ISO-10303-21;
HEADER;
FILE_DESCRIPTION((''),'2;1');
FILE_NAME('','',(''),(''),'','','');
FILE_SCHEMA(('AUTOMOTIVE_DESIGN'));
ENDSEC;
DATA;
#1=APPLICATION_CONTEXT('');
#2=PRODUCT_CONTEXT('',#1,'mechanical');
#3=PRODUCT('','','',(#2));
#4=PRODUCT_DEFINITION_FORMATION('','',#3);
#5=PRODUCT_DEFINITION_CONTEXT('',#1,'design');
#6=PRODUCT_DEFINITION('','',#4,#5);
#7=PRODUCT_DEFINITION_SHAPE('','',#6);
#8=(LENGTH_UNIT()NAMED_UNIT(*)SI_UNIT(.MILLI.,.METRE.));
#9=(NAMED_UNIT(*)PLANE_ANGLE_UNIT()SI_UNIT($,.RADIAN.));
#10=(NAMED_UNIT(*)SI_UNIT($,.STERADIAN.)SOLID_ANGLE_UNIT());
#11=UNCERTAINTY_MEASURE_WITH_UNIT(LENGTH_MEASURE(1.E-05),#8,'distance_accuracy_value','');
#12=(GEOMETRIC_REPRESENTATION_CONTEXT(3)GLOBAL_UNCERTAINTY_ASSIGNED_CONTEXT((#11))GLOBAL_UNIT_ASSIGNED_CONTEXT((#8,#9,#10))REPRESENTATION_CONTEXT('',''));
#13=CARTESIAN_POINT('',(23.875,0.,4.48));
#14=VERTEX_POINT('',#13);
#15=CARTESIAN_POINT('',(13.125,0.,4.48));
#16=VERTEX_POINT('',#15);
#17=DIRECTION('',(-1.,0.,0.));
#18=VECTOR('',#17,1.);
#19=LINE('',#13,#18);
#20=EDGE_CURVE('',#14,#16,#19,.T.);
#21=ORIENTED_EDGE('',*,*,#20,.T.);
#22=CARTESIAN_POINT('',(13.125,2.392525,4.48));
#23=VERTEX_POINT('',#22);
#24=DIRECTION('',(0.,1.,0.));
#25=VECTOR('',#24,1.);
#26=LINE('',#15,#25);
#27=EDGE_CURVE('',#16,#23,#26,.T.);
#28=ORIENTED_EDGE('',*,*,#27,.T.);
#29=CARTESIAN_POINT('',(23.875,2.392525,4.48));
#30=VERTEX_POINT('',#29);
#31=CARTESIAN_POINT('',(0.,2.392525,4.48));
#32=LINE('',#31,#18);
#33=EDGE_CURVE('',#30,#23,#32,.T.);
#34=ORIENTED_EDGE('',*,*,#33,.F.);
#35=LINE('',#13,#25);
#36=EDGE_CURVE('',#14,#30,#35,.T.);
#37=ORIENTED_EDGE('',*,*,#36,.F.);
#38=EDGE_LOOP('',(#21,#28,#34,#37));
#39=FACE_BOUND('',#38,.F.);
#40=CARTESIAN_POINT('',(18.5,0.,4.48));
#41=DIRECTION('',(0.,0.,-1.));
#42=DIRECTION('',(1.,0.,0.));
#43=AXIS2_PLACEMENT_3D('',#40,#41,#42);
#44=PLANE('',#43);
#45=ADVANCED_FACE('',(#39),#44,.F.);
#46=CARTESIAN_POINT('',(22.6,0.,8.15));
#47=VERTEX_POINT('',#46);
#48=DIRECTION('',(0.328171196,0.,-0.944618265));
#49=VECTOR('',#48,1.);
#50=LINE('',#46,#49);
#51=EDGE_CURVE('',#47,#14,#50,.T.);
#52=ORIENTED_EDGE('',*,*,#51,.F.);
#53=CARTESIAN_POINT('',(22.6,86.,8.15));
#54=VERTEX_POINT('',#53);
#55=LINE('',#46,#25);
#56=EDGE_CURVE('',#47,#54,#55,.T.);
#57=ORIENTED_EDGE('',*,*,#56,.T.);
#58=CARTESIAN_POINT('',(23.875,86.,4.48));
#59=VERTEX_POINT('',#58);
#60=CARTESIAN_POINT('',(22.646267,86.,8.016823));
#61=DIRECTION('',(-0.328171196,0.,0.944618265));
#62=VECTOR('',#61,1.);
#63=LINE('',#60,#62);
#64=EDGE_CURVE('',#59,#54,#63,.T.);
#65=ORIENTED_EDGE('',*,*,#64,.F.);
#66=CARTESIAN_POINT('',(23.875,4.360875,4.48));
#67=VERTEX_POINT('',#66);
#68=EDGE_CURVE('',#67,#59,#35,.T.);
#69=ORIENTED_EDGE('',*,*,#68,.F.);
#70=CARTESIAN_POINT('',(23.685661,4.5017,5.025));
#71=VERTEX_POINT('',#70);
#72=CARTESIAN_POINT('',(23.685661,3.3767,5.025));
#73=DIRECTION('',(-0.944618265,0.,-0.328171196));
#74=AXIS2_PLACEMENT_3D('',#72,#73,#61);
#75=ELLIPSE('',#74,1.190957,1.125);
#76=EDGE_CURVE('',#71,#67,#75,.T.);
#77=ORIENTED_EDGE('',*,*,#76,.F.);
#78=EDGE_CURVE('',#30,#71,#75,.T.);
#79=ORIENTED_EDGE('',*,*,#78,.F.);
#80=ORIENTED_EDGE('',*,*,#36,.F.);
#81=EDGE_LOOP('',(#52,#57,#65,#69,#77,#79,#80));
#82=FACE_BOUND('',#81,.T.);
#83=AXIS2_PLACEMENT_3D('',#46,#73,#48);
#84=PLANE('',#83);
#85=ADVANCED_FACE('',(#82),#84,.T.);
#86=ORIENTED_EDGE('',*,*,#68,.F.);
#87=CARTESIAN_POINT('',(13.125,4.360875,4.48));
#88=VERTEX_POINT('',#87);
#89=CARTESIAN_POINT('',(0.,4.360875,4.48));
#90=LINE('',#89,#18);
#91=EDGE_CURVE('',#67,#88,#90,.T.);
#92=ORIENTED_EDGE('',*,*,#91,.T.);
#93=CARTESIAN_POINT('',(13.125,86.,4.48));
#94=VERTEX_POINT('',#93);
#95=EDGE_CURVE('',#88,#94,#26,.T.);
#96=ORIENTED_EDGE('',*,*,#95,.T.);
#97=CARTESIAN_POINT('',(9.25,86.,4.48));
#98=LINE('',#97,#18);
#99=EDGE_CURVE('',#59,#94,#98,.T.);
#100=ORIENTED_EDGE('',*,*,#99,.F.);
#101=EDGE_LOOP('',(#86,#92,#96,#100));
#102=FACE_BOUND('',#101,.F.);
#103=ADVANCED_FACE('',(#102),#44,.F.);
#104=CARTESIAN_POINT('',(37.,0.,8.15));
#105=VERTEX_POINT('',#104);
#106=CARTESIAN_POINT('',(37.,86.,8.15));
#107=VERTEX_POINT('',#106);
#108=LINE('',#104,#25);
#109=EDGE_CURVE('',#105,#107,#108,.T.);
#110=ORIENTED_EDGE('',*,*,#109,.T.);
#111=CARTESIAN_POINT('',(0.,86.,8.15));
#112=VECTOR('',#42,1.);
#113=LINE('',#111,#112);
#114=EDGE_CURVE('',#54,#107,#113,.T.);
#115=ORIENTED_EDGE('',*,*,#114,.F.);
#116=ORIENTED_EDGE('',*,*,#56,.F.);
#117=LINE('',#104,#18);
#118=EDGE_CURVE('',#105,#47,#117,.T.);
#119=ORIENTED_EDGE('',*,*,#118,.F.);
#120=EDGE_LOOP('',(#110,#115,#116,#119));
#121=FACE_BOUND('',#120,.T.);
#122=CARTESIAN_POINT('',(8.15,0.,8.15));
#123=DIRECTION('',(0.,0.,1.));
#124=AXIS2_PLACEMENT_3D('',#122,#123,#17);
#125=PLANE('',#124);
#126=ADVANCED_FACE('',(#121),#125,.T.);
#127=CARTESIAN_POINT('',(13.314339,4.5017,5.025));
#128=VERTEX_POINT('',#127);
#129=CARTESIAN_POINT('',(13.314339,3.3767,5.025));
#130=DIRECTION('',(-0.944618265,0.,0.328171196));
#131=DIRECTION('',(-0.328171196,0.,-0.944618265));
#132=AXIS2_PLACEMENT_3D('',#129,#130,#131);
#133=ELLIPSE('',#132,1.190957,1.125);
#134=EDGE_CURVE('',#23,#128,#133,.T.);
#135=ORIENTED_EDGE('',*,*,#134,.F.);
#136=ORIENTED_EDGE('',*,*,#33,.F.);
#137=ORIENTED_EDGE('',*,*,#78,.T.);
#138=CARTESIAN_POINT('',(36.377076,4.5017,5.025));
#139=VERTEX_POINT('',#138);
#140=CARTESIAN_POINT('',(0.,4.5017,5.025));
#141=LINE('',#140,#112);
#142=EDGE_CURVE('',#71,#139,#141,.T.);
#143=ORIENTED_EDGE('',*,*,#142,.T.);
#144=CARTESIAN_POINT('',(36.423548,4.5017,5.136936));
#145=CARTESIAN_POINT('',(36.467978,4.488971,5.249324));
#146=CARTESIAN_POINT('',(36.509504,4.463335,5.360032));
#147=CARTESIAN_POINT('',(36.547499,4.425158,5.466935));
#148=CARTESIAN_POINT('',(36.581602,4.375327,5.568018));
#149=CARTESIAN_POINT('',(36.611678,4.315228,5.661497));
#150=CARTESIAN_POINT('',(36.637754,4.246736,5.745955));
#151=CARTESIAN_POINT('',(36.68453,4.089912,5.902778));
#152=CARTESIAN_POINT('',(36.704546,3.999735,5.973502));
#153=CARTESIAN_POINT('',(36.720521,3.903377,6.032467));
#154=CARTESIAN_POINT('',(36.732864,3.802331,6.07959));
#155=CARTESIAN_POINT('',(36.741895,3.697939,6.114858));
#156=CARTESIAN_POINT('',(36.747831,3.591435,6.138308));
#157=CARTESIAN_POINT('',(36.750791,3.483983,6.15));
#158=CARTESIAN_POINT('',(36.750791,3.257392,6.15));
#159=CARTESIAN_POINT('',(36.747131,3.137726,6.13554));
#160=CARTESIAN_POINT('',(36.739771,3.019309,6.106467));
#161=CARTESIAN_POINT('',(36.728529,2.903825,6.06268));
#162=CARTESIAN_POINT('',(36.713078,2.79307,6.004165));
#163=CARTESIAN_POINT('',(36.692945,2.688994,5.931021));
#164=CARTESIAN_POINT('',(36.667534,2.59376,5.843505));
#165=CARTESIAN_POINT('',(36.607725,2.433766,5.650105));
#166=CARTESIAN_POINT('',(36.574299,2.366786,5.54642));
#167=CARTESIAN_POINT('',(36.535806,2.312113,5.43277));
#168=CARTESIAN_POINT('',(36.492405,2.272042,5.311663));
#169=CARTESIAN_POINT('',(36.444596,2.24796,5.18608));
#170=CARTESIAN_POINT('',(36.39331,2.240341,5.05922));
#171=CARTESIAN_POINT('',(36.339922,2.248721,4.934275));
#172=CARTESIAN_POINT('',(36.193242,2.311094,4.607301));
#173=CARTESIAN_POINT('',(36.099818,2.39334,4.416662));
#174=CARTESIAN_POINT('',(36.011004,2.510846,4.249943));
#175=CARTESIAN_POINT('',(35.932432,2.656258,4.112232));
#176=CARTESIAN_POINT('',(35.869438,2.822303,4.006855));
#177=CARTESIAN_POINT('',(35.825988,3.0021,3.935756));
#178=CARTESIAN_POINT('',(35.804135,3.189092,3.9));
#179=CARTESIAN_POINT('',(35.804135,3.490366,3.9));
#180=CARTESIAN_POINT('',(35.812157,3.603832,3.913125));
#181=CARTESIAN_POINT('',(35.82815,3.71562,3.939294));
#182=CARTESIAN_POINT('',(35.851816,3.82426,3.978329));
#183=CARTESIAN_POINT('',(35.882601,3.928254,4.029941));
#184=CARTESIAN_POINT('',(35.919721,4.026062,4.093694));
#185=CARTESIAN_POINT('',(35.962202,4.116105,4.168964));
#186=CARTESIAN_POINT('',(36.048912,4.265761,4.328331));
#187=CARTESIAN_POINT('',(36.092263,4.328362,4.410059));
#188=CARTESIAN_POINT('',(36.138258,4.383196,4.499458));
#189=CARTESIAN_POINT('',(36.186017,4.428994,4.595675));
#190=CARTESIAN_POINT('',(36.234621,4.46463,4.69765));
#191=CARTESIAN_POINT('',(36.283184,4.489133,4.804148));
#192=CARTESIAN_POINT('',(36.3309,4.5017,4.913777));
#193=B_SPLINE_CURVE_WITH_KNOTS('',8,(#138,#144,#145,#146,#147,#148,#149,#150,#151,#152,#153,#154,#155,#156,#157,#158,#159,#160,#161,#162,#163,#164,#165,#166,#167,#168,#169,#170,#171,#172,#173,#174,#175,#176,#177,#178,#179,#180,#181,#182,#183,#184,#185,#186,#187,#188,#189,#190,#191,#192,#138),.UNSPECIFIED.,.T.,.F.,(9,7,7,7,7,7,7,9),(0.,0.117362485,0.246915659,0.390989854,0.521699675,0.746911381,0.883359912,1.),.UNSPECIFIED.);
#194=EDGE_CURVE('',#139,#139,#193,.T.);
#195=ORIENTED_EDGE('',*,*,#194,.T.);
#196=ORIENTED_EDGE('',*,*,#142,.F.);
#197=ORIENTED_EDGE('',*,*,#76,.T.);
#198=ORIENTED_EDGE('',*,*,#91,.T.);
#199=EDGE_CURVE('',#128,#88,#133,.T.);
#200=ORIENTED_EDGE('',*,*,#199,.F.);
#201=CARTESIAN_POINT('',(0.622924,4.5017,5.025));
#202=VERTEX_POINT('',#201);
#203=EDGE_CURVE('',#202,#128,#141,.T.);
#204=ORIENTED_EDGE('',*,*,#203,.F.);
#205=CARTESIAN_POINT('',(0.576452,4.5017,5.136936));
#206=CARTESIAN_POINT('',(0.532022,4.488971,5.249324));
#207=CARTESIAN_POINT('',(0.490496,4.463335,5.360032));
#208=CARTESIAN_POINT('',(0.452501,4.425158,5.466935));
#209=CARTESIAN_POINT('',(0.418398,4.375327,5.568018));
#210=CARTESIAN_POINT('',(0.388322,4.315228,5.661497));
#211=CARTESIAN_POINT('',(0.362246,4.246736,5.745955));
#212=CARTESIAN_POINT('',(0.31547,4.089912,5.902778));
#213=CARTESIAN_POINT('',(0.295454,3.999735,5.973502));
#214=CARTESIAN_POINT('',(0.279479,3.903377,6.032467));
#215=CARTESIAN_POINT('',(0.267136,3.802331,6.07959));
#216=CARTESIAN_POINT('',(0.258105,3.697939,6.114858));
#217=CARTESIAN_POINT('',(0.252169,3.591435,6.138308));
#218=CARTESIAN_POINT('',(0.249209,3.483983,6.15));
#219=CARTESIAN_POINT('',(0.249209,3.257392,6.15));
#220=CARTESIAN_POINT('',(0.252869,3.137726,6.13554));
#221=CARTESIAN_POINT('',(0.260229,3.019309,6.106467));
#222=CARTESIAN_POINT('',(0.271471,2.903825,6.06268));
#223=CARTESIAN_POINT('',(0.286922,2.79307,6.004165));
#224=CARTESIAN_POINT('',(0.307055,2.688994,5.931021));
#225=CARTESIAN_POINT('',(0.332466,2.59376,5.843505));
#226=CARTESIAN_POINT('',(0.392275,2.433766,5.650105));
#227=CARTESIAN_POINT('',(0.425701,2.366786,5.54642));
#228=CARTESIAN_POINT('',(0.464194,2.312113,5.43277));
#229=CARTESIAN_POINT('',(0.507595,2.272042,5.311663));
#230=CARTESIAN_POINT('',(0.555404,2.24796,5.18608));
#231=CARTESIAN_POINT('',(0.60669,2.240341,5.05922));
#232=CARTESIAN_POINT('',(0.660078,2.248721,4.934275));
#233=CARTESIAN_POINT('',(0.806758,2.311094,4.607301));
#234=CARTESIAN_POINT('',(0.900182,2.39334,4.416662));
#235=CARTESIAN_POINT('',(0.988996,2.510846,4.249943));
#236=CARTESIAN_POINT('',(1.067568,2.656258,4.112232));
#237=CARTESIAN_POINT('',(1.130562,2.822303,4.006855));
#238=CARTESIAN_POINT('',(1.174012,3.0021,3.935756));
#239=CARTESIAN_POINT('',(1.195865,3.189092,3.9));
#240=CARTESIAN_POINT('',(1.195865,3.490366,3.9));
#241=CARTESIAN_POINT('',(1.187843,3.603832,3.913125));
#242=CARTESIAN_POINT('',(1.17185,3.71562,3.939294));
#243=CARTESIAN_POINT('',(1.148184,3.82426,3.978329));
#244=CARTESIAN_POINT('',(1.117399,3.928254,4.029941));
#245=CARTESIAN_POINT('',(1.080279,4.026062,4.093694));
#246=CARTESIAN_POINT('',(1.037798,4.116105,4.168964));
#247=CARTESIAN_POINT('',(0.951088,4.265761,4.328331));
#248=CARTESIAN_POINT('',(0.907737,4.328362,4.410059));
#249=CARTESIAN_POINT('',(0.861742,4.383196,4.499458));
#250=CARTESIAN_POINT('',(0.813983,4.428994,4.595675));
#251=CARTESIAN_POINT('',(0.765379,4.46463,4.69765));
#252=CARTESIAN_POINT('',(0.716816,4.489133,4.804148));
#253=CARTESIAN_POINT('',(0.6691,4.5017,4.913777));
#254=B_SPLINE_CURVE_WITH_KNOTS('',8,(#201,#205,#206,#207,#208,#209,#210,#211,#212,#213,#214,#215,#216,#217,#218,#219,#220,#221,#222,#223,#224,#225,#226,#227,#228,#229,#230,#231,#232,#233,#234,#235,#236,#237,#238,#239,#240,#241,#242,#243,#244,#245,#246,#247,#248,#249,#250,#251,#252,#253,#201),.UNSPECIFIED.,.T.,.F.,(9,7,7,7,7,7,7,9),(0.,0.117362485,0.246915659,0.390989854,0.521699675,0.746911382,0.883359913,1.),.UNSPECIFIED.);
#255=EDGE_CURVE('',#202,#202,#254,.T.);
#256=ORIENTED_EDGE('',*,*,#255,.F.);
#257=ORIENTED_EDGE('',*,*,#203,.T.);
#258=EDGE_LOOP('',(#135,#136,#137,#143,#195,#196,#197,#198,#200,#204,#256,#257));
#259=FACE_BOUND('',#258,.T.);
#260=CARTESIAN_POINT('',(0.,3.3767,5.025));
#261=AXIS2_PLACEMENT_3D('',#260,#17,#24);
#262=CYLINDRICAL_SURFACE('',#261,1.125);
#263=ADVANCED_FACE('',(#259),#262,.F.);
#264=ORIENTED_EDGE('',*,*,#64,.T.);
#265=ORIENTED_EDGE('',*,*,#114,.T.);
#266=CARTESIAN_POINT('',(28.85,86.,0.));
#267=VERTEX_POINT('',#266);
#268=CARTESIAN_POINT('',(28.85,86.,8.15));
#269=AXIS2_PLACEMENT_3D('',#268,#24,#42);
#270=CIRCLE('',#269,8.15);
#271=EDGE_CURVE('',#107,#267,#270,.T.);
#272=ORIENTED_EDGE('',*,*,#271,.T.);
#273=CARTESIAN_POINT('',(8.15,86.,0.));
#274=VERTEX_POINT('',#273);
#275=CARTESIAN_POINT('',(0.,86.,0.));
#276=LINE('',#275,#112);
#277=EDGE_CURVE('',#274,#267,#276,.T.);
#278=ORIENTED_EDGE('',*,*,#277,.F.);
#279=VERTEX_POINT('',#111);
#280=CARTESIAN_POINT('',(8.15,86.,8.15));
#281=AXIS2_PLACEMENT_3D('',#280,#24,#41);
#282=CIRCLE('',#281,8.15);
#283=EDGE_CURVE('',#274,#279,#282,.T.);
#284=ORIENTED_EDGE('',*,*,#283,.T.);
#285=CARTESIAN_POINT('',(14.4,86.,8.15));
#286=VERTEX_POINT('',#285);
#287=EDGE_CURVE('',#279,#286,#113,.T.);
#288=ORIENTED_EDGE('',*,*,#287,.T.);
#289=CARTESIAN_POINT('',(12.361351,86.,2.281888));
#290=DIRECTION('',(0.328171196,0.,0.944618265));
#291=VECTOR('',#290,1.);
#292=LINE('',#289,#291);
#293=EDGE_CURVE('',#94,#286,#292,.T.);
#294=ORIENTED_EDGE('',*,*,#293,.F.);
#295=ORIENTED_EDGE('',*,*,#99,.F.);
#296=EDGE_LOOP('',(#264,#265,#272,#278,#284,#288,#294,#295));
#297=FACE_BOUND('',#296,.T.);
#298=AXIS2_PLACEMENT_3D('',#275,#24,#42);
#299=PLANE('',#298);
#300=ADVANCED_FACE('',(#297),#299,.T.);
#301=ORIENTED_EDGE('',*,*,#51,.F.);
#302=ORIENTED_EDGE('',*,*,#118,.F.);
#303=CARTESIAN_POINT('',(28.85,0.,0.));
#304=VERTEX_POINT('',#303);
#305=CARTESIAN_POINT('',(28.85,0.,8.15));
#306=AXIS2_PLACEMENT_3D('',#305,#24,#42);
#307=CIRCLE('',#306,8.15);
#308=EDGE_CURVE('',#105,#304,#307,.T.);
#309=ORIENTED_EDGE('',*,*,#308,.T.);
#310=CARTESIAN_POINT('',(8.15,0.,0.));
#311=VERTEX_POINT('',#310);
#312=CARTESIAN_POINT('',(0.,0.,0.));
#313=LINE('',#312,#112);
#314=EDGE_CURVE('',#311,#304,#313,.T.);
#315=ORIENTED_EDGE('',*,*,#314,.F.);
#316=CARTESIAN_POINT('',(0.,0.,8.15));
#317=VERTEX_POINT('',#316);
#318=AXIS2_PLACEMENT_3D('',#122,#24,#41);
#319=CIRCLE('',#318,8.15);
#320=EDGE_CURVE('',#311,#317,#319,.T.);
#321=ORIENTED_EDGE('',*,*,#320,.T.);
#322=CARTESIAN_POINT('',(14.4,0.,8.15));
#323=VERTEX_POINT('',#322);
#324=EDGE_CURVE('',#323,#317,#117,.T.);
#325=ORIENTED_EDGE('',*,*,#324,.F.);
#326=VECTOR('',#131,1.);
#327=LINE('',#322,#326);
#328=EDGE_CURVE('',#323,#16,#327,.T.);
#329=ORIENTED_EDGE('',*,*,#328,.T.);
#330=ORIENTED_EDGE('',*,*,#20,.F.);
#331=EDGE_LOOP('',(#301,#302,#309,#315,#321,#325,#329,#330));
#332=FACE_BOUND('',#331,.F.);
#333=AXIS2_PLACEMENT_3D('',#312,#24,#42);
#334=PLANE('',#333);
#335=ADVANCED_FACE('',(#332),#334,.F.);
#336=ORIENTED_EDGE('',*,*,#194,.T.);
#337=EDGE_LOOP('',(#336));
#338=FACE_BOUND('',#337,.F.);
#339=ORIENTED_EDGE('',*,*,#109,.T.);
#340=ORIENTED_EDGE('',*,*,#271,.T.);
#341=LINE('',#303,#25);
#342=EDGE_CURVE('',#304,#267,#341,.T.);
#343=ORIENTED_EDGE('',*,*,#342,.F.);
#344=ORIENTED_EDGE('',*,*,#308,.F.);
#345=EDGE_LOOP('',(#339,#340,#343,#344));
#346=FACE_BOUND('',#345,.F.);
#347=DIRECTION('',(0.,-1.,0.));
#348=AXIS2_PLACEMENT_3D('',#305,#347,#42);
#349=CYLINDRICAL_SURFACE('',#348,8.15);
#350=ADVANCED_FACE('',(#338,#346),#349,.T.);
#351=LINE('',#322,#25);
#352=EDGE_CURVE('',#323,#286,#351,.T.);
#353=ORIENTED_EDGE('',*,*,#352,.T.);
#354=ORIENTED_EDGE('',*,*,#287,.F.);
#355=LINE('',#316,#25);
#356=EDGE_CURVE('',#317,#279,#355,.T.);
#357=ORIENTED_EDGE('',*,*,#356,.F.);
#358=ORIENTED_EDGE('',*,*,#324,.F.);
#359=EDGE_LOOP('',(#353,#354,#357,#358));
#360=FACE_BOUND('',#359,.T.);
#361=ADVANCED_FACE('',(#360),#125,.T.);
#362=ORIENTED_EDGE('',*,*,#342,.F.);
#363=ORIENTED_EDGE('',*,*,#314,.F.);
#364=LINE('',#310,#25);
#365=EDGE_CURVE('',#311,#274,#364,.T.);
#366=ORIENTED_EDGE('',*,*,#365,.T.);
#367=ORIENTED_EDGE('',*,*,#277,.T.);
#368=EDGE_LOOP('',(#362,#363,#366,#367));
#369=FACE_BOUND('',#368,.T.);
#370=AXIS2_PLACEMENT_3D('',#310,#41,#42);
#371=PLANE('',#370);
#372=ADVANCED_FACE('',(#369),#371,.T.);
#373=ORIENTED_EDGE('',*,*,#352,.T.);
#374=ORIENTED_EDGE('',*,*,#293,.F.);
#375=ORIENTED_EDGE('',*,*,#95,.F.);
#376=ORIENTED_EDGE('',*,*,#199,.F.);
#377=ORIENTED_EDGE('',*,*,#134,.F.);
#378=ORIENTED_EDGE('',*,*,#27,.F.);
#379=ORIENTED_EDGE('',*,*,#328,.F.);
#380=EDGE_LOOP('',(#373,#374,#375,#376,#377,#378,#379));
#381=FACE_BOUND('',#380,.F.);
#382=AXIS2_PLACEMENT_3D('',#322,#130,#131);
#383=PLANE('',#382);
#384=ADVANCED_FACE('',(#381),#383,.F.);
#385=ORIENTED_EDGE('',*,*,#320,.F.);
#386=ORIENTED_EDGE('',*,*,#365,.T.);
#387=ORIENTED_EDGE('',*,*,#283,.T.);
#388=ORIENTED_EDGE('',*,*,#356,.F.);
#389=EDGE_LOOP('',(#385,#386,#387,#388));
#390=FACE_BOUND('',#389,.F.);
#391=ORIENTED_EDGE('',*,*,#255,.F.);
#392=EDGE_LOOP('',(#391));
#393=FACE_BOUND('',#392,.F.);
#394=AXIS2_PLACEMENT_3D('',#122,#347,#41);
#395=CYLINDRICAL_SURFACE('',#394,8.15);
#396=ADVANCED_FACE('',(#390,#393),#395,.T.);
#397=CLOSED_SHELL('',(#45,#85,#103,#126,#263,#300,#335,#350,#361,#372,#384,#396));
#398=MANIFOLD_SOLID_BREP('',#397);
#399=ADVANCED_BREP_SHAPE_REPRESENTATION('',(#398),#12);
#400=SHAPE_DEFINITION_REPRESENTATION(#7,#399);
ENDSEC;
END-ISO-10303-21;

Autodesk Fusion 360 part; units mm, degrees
sketch "Sketch1" plane through (0, 0, 0) normal (0, 1, 0) x (1, 0, 0)
  line L0 (0, 0) -> (37, 0)
  line L1 (37, 0) -> (37, -8.15)
  line L2 (37, -8.15) -> (0, -8.15)
  line L3 (0, -8.15) -> (0, 0)
  line L4 (37, -8.15) -> (28.85, -8.15)
  line L5 (28.85, -8.15) -> (28.85, 0)
  line L6 (28.85, 0) -> (37, 0)
  line L7 (37, 0) -> (37, -8.15)
  arc A0 (37, -8.15) -> (28.85, 0) centre (28.85, -8.15) ccw
  line L8 (0, -8.15) -> (8.15, -8.15)
  line L9 (8.15, -8.15) -> (8.15, 0)
  line L10 (8.15, 0) -> (0, 0)
  line L11 (0, 0) -> (0, -8.15)
  arc A1 (8.15, 0) -> (0, -8.15) centre (8.15, -8.15) ccw
  dimension "d1" = 37
  dimension "d2" = 8.15
  dimension "d3" = 8.15
  dimension "d4" = 8.15
  dimension "d5" = 8.15
  dimension "d6" = 8.15
extrude "Extrude1" add sketch "Sketch1" along normal blind 86 contours L0 L2 L5 L9 | L2 L8 L9 A1 | L2 L4 L5 A0
sketch "Sketch2" plane through (0, 0, 0) normal (0, -1, 0) x (1, 0, 0)
  arc A0 (28.85, 0) -> (37, 8.15) centre (28.85, 8.15) ccw
  line L0 (37, 8.15) -> (0, 8.15)
  arc A1 (0, 8.15) -> (8.15, 0) centre (8.15, 8.15) ccw
  line L1 (8.15, 0) -> (28.85, 0)
  line L2 (18.5, 8.15) -> (18.5, 0)
  line L3 (13.125, 4.48) -> (23.875, 4.48)
  line L4 (14.4, 8.15) -> (22.6, 8.15)
  line L5 (14.4, 8.15) -> (13.125, 4.48)
  line L6 (22.6, 8.15) -> (23.875, 4.48)
  dimension "d9" = 10.75
  dimension "d10" = 3.67
  dimension "d11" = 8.2
extrude "Extrude2" cut sketch "Sketch2" against normal blind 115 contours L0 L2 L3 L4 L6 | L0 L2 L3 L4 L5
sketch "Sketch3" plane through (0, 0, 0) normal (1, 0, 0) x (0, 1, 0)
  circle A0 centre (3.3767, 5.025) radius 1.125
  line L0 (-5, 8) -> (-5, 0)
  line L1 (-3.6483, 8.15) -> (5, 8.15)
  line L2 (5, 8.15) -> (5, -1.85)
  line L3 (5, -1.85) -> (-3.6483, -1.85)
  line L4 (-3.6483, -1.85) -> (-3.6483, 8.15)
  line L5 (0, 8.15) -> (86, 8.15)
  dimension "d14" = 2.25
  dimension "d16" = 5.9
  dimension "d17" = 2
extrude "Extrude3" cut sketch "Sketch3" along normal blind 48 contours A0
